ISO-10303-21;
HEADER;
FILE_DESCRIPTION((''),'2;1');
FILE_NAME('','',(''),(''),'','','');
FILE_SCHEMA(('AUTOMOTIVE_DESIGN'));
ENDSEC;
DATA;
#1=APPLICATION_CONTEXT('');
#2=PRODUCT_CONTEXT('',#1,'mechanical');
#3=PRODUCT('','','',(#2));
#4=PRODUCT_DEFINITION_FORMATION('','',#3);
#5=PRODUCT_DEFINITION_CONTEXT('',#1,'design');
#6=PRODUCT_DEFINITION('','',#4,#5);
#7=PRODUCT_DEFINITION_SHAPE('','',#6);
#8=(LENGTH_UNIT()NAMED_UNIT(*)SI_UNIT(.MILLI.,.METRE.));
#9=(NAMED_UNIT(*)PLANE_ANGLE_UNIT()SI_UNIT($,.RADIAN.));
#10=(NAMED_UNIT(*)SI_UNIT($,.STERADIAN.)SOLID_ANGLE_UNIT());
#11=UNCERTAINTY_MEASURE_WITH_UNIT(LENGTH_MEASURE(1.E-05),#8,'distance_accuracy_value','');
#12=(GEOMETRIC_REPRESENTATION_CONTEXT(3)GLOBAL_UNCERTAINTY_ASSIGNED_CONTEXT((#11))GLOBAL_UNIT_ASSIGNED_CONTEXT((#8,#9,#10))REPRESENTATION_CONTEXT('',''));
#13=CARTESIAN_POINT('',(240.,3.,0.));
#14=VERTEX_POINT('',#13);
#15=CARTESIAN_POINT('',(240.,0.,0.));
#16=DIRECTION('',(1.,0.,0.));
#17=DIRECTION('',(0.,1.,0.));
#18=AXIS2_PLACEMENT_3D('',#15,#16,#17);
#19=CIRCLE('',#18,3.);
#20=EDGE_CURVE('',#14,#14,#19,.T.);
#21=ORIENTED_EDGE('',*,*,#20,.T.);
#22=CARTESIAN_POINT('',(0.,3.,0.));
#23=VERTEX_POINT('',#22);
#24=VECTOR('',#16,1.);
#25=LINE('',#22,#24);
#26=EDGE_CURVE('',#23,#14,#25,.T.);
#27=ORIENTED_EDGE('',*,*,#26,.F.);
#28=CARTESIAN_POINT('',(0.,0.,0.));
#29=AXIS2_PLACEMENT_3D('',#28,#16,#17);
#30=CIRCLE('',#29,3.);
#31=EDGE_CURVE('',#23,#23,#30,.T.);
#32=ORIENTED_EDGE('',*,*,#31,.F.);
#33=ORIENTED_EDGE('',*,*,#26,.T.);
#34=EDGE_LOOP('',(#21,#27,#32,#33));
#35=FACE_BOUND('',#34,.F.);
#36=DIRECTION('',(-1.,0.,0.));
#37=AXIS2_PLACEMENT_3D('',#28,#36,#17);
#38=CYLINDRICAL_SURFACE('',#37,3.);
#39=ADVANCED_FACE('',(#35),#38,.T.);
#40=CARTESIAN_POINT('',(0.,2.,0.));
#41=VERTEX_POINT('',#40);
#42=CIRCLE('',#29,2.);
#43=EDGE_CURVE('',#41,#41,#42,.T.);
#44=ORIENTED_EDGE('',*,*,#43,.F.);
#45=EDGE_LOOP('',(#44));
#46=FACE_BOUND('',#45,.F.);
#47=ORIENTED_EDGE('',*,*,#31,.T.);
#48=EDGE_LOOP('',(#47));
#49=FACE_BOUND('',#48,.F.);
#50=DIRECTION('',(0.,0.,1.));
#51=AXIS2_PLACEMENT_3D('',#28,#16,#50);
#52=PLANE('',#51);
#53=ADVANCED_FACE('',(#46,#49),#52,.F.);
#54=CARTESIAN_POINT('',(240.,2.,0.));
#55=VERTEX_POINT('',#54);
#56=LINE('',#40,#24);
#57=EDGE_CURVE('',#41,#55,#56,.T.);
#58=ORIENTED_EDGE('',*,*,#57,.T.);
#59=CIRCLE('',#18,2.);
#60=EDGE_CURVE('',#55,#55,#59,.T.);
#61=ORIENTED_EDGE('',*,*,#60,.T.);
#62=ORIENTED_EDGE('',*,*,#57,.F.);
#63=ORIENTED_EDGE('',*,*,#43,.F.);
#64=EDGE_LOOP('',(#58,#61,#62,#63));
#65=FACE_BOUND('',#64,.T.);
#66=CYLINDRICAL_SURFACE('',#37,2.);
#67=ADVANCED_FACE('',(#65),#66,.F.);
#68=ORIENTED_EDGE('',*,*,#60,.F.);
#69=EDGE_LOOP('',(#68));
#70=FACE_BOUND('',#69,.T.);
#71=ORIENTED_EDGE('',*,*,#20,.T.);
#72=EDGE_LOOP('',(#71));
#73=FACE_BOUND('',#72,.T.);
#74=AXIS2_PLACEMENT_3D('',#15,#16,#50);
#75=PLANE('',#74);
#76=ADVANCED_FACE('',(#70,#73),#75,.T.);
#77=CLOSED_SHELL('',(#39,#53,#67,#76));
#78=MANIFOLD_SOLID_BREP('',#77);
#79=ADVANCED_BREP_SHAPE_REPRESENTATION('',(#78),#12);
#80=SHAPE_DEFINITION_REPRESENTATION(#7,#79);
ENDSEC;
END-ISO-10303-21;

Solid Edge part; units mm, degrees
sketch "Sketch1" plane through (0, 0, 0) normal (1, 0, 0) x (0, 1, 0)
  circle A0 centre (0, 0) radius 2
  circle A1 centre (0, 0) radius 3
extrude "Protrusion1" add sketch "Sketch1" along normal blind 240
